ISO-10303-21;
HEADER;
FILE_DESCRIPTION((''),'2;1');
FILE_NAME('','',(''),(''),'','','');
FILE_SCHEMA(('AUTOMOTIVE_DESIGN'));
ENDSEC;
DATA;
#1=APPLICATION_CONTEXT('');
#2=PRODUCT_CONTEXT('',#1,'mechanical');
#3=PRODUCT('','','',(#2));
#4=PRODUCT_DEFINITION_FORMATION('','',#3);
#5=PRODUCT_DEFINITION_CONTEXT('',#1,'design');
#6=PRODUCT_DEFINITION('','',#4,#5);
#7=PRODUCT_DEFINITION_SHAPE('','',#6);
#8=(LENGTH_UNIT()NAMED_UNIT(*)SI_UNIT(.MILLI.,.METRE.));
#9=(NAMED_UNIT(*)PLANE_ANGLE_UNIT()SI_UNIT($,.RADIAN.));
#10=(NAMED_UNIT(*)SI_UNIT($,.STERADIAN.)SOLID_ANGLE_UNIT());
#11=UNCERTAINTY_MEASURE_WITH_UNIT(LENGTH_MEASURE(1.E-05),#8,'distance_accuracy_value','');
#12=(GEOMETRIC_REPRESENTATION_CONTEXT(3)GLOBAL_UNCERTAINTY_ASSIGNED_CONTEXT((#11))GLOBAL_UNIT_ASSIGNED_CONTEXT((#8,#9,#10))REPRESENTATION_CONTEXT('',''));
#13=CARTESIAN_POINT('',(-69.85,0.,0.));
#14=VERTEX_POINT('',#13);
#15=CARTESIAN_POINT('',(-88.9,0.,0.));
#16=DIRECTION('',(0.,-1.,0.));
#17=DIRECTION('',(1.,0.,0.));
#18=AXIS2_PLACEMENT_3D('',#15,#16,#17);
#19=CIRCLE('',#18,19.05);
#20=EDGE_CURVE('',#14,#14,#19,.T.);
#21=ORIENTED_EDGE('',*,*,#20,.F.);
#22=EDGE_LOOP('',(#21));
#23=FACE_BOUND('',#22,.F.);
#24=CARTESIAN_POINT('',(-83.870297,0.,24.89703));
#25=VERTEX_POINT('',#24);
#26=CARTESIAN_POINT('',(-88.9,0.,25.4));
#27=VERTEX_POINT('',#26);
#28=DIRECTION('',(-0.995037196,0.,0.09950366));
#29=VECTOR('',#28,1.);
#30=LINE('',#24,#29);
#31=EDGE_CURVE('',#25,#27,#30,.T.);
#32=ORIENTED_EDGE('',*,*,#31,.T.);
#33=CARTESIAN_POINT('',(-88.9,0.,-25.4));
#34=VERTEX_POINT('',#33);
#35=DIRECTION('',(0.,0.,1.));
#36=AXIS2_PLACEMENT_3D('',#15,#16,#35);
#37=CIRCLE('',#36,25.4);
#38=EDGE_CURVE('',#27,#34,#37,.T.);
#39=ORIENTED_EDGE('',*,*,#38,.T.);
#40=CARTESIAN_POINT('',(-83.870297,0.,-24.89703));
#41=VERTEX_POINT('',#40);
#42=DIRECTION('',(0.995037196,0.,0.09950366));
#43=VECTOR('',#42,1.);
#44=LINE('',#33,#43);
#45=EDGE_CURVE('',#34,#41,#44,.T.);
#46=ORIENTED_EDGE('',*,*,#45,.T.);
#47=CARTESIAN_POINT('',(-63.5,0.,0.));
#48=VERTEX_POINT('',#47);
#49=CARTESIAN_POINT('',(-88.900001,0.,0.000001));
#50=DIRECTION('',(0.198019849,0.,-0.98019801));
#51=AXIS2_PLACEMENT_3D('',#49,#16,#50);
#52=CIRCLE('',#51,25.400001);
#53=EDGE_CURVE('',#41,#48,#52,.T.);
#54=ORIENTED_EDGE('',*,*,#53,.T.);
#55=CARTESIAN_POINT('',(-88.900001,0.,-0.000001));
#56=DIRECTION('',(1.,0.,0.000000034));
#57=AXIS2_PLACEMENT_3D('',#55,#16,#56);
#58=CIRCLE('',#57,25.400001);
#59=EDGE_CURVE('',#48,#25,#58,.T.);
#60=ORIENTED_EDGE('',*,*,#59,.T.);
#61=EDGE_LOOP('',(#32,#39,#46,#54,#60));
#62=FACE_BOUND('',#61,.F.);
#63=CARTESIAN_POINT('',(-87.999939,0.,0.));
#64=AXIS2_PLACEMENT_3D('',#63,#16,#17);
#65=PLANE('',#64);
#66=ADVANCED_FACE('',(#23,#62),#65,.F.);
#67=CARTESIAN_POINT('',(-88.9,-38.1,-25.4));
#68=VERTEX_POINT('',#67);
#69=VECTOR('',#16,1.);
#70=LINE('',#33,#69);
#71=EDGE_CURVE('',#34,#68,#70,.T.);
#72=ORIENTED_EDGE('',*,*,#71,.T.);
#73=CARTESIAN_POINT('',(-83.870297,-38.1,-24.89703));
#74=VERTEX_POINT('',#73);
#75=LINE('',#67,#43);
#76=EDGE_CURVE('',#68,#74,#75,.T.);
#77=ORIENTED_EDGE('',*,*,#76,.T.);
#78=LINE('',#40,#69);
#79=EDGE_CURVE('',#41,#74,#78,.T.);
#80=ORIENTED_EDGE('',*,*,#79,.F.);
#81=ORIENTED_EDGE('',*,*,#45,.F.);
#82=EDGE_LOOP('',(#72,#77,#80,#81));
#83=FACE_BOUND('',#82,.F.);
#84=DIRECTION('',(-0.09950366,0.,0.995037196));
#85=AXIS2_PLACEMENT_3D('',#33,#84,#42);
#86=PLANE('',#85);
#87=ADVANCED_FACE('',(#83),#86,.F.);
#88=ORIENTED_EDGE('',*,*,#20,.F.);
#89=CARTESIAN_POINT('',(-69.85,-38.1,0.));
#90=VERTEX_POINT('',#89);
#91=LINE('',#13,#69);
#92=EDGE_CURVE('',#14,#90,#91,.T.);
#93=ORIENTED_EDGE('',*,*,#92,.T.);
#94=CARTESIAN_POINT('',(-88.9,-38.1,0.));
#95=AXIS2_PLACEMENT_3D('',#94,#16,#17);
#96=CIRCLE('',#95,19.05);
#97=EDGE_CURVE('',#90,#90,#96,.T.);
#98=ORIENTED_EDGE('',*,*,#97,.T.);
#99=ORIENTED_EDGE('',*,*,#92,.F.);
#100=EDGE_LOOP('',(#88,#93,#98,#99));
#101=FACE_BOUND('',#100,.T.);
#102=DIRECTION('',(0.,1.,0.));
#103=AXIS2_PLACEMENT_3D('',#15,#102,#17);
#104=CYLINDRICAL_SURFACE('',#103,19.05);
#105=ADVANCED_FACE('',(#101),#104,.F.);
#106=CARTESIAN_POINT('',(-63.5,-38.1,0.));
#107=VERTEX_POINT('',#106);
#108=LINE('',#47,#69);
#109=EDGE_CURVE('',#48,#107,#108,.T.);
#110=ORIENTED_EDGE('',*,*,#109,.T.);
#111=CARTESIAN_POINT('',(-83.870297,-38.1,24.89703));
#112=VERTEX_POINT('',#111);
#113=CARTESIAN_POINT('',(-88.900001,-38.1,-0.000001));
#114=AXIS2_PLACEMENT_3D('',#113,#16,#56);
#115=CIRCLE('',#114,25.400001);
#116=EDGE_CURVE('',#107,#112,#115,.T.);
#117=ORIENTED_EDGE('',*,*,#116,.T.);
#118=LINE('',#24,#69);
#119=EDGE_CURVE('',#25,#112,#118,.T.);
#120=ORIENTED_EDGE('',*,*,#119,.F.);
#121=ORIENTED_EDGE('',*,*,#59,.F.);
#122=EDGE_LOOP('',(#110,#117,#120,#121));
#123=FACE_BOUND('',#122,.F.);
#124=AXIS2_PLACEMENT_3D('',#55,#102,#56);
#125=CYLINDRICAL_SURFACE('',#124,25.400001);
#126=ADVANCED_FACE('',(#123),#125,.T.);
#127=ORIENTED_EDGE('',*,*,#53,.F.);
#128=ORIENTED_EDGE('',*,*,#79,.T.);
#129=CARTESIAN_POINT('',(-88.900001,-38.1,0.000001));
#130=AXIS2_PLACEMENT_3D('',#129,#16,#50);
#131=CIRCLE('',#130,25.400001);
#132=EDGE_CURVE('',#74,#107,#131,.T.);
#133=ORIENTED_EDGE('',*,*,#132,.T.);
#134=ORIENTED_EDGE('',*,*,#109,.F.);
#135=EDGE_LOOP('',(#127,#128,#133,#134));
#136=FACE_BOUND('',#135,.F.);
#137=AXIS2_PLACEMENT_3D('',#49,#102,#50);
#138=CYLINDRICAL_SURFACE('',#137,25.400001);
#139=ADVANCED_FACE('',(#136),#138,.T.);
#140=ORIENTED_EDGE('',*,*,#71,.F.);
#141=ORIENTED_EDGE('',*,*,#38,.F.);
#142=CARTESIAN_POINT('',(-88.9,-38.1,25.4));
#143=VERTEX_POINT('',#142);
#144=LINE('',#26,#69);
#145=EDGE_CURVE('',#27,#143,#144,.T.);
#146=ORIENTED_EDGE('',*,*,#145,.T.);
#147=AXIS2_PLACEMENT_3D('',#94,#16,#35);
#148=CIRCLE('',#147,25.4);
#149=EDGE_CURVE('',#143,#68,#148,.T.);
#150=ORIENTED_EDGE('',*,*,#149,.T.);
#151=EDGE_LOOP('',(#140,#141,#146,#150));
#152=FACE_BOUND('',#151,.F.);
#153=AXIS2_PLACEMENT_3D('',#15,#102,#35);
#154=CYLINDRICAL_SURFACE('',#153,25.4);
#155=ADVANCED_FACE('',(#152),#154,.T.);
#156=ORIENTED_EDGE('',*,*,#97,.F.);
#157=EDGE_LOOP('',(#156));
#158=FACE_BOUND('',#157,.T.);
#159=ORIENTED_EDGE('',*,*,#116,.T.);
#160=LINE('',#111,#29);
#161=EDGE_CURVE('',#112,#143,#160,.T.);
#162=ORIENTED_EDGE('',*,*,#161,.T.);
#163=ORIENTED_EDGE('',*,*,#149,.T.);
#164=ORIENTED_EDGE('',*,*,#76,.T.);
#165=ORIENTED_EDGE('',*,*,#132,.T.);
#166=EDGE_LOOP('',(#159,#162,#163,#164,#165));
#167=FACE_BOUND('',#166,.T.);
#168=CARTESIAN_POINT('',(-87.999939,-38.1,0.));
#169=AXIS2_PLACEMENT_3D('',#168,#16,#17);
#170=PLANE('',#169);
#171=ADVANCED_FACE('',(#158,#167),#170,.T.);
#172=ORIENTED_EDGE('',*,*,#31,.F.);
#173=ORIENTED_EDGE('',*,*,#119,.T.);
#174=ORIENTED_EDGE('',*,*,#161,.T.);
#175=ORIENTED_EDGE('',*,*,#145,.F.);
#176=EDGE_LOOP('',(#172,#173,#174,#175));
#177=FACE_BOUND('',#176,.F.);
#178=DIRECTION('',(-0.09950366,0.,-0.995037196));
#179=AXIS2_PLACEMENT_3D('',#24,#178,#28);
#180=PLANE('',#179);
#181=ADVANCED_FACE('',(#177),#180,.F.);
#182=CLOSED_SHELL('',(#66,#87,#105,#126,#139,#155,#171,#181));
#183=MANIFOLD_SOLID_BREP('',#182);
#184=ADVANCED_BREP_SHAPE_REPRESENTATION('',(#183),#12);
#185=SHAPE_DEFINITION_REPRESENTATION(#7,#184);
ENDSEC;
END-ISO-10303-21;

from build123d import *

# Parameters (mm, degrees)
F0_R     = 19.05
F1_DEPTH = 38.1


with BuildPart() as f1:
    # F0 (on Front) → F1 (new body)
    with BuildSketch(Plane.XZ):
        with BuildLine():
            Line((-83.870297, 24.89703), (-88.9, 25.4))
            ThreePointArc((-88.9, 25.4), (-114.3, 0), (-88.9, -25.4))
            Line((-88.9, -25.4), (-83.870297, -24.89703))
            ThreePointArc((-83.870297, -24.89703), (-69.241485, -16.08424), (-63.5, 0))
            ThreePointArc((-63.5, 0), (-69.241485, 16.08424), (-83.870297, 24.89703))
        make_face()
        with Locations((-88.9, 0)):
            Circle(F0_R, mode=Mode.SUBTRACT)
    extrude(amount=F1_DEPTH)


solid = f1.part
